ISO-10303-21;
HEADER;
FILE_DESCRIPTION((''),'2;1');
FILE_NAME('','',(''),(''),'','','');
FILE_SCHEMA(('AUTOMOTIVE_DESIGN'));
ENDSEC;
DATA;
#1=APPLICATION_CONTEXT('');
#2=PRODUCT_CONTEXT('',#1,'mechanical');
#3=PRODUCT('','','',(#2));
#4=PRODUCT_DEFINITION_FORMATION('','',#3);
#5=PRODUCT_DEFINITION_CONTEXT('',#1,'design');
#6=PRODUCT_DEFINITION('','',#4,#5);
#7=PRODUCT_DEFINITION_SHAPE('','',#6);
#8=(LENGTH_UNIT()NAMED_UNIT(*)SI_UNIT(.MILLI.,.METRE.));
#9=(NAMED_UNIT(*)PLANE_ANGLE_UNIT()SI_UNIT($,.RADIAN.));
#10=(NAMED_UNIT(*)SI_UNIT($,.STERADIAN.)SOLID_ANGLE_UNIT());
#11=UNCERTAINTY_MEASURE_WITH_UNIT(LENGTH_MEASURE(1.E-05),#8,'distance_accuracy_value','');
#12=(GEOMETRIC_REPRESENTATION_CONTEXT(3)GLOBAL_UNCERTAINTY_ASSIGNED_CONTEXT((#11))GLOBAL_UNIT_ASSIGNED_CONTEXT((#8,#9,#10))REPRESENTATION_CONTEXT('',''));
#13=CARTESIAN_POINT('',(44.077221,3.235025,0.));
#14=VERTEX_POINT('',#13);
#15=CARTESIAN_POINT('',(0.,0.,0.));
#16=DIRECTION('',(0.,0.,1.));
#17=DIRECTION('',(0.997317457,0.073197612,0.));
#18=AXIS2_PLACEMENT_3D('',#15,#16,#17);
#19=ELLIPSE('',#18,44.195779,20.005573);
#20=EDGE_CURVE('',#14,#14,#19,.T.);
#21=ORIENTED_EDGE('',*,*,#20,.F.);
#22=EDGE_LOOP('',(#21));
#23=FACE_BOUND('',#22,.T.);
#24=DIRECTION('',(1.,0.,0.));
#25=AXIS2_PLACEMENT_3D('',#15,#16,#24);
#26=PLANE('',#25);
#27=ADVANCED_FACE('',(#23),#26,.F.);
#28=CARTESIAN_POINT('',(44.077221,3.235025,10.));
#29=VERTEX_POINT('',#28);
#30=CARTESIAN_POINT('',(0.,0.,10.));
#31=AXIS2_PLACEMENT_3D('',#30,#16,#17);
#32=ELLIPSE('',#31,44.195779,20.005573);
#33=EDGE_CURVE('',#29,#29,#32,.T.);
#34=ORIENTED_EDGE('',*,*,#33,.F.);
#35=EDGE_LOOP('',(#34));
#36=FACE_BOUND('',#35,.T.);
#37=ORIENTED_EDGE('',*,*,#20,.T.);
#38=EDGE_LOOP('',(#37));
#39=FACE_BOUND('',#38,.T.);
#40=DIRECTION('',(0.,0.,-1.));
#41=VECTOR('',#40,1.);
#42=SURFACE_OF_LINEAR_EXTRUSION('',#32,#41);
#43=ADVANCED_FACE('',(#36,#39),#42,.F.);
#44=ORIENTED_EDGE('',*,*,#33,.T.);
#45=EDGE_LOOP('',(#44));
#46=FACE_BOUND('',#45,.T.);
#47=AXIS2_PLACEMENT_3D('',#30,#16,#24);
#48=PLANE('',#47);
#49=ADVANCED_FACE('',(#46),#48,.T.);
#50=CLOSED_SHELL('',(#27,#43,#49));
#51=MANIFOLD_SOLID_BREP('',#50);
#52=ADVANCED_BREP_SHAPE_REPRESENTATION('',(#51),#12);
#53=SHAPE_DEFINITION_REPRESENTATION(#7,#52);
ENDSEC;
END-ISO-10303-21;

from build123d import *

# Parameters (mm, degrees)
SKETCH1_RX          = 44.195778581
SKETCH1_RY          = 20.005573444
BOSS_EXTRUDE1_DEPTH = 10


with BuildPart() as part:
    # Sketch1 → Boss-Extrude1 (new body)
    with BuildSketch(Plane.XY):
        with Locations(Location((0, 0), (0, 0, 4.197668357))):
            Ellipse(SKETCH1_RX, SKETCH1_RY)
    extrude(amount=BOSS_EXTRUDE1_DEPTH)


solid = part.part
